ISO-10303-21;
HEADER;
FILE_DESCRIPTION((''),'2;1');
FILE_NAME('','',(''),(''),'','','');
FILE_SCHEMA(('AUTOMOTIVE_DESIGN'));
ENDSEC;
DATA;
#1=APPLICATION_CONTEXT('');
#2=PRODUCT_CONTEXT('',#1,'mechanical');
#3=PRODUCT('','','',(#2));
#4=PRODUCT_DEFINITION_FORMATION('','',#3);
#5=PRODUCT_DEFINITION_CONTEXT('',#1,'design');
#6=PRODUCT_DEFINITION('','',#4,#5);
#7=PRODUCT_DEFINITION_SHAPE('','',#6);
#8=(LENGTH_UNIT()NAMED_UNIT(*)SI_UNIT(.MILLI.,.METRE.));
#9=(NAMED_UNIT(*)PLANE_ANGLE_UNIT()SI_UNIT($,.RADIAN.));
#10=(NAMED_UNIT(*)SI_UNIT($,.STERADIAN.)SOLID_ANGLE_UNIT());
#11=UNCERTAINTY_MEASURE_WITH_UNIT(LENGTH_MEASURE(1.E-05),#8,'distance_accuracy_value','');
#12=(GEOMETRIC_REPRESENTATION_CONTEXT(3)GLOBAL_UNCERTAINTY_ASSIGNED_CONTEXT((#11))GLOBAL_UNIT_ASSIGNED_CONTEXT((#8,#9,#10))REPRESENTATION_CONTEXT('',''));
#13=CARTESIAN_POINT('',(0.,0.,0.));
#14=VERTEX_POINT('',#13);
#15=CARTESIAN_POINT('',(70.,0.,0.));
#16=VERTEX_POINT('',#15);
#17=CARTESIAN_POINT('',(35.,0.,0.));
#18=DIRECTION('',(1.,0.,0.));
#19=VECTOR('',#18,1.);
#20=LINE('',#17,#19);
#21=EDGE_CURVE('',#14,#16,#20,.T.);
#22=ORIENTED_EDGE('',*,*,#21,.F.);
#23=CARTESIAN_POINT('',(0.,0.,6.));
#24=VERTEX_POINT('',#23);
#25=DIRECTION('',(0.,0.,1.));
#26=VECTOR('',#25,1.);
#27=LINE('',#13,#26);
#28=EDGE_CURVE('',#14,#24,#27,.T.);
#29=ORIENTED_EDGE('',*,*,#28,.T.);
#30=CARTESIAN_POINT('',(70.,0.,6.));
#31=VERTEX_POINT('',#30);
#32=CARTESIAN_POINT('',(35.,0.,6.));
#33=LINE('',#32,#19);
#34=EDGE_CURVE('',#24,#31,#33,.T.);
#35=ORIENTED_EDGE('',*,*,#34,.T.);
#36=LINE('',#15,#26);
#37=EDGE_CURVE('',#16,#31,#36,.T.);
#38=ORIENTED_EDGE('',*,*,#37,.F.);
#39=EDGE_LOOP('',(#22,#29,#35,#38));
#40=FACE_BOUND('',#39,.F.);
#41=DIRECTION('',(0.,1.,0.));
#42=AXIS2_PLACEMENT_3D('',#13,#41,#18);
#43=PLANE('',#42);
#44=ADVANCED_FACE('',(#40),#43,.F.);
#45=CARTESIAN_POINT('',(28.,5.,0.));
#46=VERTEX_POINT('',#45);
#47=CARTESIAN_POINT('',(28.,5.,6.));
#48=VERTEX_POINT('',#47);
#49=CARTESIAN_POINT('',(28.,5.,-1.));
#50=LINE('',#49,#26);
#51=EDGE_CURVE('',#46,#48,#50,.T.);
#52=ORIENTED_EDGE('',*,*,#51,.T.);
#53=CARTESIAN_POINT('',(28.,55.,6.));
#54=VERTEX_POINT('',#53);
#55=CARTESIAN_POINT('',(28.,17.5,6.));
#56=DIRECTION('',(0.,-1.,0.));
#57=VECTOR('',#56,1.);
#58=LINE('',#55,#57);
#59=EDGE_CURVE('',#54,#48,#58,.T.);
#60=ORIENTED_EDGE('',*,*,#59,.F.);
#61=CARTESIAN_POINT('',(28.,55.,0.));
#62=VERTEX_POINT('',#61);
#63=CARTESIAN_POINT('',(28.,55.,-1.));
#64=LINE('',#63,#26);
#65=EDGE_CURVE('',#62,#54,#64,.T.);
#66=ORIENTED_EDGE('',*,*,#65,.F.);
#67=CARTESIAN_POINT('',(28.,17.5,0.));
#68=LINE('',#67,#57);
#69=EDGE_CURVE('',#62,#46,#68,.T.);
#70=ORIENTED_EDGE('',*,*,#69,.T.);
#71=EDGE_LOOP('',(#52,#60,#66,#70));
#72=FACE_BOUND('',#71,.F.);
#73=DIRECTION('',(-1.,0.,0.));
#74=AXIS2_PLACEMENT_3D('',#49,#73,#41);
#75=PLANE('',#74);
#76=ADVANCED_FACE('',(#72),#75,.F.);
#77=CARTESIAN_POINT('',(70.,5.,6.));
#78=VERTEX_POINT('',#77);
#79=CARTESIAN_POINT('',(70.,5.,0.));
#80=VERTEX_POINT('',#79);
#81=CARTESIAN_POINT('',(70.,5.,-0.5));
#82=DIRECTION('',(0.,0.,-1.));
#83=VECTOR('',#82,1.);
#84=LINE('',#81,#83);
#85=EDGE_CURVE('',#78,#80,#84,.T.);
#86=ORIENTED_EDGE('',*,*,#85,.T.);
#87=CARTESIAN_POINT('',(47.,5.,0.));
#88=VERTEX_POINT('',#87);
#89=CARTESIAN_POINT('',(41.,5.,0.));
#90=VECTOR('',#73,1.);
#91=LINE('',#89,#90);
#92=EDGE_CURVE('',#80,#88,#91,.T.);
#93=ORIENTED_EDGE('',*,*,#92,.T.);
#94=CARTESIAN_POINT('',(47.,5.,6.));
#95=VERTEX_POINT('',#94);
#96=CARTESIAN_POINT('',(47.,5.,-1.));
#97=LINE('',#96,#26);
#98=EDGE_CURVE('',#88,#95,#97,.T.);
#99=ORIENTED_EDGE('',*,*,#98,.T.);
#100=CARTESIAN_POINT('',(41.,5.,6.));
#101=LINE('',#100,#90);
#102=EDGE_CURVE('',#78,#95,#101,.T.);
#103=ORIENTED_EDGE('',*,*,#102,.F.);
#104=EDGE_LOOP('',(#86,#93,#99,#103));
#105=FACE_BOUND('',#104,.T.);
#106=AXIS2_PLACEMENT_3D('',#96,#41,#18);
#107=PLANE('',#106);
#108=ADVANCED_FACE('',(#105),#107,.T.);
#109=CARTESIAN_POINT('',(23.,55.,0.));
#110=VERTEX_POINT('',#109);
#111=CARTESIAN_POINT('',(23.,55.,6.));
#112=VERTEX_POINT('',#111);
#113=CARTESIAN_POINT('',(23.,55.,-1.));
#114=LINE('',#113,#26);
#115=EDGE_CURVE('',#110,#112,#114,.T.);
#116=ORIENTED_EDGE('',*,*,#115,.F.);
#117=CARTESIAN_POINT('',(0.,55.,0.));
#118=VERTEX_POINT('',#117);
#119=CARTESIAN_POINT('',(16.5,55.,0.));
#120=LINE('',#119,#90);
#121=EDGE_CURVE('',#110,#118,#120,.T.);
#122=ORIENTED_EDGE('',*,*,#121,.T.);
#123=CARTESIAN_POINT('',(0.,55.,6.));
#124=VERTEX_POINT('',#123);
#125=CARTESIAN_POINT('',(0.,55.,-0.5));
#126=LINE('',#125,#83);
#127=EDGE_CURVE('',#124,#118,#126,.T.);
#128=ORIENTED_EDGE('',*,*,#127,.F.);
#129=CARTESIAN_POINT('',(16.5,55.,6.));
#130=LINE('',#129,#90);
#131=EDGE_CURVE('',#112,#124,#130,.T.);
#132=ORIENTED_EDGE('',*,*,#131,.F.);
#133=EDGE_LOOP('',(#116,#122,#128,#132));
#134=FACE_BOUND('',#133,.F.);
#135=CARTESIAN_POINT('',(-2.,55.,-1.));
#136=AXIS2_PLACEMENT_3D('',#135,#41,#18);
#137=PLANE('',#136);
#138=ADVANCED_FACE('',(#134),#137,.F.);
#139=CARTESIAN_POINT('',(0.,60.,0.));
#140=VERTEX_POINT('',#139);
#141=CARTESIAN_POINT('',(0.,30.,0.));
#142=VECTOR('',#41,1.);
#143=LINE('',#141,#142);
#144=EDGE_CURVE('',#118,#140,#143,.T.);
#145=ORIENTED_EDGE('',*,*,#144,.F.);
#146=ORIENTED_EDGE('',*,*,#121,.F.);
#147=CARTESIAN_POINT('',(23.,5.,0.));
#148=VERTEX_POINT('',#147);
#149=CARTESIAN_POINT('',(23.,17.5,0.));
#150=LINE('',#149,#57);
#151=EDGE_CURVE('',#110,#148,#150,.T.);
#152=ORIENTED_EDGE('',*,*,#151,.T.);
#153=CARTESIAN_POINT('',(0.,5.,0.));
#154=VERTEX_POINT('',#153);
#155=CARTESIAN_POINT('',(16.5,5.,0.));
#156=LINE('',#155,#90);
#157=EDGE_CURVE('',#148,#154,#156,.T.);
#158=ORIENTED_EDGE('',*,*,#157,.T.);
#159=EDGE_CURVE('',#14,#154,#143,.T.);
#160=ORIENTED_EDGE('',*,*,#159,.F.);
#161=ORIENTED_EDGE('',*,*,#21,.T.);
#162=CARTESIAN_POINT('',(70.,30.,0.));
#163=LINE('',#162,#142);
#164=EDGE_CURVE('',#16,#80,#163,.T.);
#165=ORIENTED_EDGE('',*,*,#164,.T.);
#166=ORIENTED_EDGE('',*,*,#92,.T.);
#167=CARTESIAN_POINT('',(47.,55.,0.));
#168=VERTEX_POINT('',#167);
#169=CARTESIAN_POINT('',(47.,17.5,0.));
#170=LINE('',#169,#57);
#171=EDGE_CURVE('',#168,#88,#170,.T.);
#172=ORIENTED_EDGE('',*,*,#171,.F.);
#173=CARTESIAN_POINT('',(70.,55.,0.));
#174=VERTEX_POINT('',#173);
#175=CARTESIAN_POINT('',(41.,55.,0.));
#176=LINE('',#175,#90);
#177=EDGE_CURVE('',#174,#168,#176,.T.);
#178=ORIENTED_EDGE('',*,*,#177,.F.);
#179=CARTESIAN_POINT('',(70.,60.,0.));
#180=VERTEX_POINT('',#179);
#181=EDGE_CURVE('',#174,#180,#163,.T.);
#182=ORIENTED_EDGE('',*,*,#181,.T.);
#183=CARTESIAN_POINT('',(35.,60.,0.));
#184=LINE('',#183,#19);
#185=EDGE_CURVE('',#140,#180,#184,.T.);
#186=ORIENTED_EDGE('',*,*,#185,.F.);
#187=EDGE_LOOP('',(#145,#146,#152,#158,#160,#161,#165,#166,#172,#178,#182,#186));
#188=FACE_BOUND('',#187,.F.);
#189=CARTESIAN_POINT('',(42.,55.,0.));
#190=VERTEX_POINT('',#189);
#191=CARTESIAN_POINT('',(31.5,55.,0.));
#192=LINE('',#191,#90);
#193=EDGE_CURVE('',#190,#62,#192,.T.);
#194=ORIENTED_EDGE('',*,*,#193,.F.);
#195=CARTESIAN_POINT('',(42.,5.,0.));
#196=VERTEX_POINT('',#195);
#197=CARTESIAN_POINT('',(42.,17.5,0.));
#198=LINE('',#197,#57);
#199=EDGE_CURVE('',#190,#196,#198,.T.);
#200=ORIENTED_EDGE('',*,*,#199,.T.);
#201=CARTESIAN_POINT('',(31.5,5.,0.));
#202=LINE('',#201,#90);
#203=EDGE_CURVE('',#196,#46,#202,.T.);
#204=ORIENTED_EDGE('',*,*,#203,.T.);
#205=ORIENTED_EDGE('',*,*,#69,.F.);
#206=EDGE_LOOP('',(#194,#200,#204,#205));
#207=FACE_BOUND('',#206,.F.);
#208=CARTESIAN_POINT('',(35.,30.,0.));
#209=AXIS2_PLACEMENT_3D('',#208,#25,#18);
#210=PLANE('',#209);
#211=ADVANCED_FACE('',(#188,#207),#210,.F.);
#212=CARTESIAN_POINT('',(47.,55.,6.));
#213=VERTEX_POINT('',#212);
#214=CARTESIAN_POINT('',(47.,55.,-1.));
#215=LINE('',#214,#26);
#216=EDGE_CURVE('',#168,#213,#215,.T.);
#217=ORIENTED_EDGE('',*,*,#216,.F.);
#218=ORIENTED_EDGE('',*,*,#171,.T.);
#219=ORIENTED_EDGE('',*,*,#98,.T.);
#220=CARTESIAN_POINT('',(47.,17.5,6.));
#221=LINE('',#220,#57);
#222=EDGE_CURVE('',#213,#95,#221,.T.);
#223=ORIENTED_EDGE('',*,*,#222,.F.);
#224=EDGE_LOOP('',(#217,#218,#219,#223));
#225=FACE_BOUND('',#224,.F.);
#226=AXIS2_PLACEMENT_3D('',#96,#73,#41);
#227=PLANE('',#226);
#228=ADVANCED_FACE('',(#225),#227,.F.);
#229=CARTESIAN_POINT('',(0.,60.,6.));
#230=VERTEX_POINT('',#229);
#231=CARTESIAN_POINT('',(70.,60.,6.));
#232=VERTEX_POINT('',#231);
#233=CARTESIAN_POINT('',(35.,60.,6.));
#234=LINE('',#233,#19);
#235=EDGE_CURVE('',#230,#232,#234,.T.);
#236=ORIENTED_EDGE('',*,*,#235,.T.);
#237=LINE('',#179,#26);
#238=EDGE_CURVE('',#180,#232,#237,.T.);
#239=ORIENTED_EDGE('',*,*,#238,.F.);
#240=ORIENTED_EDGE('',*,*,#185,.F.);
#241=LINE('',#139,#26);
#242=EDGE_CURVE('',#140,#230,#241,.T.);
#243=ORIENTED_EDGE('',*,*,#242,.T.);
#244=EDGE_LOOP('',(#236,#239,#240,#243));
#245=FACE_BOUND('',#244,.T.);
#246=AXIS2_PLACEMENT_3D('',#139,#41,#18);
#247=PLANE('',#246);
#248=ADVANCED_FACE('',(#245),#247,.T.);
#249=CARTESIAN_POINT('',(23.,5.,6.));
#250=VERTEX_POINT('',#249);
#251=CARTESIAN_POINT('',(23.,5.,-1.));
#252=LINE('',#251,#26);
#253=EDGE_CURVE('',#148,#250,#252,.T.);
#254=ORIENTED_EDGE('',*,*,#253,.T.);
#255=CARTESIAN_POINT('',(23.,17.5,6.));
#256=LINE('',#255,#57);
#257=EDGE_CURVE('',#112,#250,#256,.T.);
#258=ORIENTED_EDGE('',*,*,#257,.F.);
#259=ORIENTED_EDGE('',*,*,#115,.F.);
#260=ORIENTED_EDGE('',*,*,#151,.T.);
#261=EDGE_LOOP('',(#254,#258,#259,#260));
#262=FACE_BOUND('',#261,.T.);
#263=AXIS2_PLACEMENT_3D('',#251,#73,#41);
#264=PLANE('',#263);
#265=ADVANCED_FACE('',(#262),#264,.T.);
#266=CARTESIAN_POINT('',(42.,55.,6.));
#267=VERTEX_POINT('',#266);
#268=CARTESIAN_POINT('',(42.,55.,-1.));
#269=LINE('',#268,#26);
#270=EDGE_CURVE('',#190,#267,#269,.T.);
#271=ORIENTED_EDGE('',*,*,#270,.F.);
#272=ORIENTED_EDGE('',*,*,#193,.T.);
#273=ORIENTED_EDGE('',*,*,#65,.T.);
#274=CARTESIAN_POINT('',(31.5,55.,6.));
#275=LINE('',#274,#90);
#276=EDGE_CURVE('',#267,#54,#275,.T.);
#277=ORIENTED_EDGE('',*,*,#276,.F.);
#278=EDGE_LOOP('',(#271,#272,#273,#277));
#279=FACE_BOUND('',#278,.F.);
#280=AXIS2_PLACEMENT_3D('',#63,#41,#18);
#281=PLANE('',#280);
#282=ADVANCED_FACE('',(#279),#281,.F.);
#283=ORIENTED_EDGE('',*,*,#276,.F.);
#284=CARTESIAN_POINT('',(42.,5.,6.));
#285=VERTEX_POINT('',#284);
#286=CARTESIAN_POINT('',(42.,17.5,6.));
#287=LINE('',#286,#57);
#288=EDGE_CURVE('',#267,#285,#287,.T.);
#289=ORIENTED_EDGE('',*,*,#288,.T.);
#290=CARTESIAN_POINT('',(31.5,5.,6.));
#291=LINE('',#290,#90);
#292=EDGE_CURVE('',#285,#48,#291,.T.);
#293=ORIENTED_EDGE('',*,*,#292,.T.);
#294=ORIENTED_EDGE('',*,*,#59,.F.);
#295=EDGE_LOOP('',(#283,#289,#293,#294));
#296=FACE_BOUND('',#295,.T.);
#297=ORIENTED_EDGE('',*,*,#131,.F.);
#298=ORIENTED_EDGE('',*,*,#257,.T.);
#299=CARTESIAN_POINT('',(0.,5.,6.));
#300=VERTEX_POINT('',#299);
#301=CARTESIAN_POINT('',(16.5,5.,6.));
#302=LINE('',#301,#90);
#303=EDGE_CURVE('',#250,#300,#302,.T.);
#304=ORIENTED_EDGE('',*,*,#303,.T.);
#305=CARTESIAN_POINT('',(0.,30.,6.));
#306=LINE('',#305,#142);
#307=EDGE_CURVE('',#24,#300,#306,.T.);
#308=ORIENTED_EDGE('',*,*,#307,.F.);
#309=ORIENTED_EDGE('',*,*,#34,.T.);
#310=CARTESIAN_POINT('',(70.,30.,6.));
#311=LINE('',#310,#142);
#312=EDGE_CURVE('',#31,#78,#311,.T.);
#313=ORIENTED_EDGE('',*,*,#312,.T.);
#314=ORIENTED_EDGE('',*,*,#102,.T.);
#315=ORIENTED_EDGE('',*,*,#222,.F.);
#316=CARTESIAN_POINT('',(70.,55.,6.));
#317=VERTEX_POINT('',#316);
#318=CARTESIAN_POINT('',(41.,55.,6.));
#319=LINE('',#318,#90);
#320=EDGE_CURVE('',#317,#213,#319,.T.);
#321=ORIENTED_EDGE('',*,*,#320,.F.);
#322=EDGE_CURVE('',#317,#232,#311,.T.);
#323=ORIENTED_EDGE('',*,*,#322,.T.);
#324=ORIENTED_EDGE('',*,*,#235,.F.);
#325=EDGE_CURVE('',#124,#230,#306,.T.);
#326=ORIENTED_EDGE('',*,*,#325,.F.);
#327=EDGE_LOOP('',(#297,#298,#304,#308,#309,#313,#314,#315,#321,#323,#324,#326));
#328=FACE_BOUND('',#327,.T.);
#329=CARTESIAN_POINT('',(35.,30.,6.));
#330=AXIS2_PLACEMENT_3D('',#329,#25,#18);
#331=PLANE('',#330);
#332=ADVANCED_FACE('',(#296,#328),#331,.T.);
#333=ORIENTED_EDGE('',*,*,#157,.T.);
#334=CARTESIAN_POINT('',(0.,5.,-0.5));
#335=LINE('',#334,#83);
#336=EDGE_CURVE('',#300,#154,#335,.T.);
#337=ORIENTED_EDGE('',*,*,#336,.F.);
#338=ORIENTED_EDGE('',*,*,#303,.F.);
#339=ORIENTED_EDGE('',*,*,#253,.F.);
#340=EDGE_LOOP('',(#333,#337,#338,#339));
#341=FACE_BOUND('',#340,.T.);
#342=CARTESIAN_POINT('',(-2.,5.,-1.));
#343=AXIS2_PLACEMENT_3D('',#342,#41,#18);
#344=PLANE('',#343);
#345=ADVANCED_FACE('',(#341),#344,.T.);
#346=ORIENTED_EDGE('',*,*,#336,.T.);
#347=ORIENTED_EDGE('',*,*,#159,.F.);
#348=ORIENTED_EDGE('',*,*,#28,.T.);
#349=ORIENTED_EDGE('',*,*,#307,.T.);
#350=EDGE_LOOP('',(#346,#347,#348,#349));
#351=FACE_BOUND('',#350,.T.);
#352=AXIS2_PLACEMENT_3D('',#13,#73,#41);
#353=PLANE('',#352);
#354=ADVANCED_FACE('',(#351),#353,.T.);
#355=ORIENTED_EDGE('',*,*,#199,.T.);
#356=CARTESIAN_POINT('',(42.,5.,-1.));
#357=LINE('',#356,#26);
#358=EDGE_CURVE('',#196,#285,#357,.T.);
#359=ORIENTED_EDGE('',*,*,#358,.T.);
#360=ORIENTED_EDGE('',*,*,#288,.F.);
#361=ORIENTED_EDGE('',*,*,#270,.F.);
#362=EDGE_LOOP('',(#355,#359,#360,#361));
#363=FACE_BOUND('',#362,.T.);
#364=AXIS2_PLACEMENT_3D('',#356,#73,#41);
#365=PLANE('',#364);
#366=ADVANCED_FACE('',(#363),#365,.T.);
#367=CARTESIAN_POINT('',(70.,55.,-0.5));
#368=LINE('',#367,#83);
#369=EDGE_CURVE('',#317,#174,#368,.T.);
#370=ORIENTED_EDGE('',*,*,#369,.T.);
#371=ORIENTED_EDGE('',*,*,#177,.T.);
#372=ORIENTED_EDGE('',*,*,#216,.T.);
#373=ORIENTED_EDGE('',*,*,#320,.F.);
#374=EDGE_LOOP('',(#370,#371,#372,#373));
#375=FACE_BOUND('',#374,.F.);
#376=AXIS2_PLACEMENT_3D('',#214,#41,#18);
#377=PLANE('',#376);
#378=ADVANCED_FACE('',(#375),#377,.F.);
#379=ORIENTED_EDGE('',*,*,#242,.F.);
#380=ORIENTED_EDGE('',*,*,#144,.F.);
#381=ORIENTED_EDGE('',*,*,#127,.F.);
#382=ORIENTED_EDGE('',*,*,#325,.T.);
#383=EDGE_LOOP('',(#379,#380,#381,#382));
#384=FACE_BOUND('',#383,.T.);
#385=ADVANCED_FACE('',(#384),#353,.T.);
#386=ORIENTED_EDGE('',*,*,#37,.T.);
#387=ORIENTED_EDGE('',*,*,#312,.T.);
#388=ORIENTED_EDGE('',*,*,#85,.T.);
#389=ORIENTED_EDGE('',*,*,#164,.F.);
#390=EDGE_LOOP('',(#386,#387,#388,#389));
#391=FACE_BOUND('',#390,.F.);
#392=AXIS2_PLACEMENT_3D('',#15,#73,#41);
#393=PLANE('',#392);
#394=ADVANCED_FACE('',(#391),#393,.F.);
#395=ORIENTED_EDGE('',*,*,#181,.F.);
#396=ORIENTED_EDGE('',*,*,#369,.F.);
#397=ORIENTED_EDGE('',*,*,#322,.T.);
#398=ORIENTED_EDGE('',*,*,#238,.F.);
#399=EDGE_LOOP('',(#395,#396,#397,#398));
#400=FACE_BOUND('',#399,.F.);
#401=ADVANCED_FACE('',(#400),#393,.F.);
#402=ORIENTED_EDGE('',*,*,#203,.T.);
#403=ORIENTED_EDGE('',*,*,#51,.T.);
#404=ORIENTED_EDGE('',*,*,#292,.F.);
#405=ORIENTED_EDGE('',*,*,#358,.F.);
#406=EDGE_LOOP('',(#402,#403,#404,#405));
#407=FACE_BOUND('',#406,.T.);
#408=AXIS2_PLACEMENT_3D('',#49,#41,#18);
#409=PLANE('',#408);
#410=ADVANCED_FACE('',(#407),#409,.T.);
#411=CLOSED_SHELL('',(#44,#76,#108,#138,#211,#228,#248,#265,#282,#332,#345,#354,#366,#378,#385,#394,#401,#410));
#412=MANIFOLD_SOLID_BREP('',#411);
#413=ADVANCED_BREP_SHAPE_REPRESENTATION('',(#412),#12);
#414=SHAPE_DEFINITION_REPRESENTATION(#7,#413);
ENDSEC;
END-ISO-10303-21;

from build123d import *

# Parameters (mm, degrees)
BOX002_W     = 25
BOX002_H     = 50
BOX002_DEPTH = 10
BOX003_W     = 25
BOX003_H     = 50
BOX003_DEPTH = 10
BOX001_W     = 14
BOX001_H     = 50
BOX001_DEPTH = 10
BOX_W        = 70
BOX_H        = 60
BOX_DEPTH    = 6


with BuildPart() as cube002:
    # Box002 → Box002 (new body)
    with BuildSketch(Plane(origin=(-2, 5, -1), x_dir=(1, 0, 0), z_dir=(0, 0, 1))):
        with Locations((12.5, 25)):
            Rectangle(BOX002_W, BOX002_H)
    extrude(amount=BOX002_DEPTH)


with BuildPart() as cube003:
    # Box003 → Box003 (new body)
    with BuildSketch(Plane(origin=(47, 5, -1), x_dir=(1, 0, 0), z_dir=(0, 0, 1))):
        with Locations((12.5, 25)):
            Rectangle(BOX003_W, BOX003_H)
    extrude(amount=BOX003_DEPTH)


with BuildPart() as cube001:
    # Box001 → Box001 (new body)
    with BuildSketch(Plane(origin=(28, 5, -1), x_dir=(1, 0, 0), z_dir=(0, 0, 1))):
        with Locations((7, 25)):
            Rectangle(BOX001_W, BOX001_H)
    extrude(amount=BOX001_DEPTH)


with BuildPart() as cut002:
    # Box → Box (new body)
    with BuildSketch(Plane.XY):
        with Locations((35, 30)):
            Rectangle(BOX_W, BOX_H)
    extrude(amount=BOX_DEPTH)

    # Cut: cut Cube001
    add(cube001.part, mode=Mode.SUBTRACT)

    # Cut001: cut Cube003
    add(cube003.part, mode=Mode.SUBTRACT)

    # Cut002: cut Cube002
    add(cube002.part, mode=Mode.SUBTRACT)


solid = cut002.part
